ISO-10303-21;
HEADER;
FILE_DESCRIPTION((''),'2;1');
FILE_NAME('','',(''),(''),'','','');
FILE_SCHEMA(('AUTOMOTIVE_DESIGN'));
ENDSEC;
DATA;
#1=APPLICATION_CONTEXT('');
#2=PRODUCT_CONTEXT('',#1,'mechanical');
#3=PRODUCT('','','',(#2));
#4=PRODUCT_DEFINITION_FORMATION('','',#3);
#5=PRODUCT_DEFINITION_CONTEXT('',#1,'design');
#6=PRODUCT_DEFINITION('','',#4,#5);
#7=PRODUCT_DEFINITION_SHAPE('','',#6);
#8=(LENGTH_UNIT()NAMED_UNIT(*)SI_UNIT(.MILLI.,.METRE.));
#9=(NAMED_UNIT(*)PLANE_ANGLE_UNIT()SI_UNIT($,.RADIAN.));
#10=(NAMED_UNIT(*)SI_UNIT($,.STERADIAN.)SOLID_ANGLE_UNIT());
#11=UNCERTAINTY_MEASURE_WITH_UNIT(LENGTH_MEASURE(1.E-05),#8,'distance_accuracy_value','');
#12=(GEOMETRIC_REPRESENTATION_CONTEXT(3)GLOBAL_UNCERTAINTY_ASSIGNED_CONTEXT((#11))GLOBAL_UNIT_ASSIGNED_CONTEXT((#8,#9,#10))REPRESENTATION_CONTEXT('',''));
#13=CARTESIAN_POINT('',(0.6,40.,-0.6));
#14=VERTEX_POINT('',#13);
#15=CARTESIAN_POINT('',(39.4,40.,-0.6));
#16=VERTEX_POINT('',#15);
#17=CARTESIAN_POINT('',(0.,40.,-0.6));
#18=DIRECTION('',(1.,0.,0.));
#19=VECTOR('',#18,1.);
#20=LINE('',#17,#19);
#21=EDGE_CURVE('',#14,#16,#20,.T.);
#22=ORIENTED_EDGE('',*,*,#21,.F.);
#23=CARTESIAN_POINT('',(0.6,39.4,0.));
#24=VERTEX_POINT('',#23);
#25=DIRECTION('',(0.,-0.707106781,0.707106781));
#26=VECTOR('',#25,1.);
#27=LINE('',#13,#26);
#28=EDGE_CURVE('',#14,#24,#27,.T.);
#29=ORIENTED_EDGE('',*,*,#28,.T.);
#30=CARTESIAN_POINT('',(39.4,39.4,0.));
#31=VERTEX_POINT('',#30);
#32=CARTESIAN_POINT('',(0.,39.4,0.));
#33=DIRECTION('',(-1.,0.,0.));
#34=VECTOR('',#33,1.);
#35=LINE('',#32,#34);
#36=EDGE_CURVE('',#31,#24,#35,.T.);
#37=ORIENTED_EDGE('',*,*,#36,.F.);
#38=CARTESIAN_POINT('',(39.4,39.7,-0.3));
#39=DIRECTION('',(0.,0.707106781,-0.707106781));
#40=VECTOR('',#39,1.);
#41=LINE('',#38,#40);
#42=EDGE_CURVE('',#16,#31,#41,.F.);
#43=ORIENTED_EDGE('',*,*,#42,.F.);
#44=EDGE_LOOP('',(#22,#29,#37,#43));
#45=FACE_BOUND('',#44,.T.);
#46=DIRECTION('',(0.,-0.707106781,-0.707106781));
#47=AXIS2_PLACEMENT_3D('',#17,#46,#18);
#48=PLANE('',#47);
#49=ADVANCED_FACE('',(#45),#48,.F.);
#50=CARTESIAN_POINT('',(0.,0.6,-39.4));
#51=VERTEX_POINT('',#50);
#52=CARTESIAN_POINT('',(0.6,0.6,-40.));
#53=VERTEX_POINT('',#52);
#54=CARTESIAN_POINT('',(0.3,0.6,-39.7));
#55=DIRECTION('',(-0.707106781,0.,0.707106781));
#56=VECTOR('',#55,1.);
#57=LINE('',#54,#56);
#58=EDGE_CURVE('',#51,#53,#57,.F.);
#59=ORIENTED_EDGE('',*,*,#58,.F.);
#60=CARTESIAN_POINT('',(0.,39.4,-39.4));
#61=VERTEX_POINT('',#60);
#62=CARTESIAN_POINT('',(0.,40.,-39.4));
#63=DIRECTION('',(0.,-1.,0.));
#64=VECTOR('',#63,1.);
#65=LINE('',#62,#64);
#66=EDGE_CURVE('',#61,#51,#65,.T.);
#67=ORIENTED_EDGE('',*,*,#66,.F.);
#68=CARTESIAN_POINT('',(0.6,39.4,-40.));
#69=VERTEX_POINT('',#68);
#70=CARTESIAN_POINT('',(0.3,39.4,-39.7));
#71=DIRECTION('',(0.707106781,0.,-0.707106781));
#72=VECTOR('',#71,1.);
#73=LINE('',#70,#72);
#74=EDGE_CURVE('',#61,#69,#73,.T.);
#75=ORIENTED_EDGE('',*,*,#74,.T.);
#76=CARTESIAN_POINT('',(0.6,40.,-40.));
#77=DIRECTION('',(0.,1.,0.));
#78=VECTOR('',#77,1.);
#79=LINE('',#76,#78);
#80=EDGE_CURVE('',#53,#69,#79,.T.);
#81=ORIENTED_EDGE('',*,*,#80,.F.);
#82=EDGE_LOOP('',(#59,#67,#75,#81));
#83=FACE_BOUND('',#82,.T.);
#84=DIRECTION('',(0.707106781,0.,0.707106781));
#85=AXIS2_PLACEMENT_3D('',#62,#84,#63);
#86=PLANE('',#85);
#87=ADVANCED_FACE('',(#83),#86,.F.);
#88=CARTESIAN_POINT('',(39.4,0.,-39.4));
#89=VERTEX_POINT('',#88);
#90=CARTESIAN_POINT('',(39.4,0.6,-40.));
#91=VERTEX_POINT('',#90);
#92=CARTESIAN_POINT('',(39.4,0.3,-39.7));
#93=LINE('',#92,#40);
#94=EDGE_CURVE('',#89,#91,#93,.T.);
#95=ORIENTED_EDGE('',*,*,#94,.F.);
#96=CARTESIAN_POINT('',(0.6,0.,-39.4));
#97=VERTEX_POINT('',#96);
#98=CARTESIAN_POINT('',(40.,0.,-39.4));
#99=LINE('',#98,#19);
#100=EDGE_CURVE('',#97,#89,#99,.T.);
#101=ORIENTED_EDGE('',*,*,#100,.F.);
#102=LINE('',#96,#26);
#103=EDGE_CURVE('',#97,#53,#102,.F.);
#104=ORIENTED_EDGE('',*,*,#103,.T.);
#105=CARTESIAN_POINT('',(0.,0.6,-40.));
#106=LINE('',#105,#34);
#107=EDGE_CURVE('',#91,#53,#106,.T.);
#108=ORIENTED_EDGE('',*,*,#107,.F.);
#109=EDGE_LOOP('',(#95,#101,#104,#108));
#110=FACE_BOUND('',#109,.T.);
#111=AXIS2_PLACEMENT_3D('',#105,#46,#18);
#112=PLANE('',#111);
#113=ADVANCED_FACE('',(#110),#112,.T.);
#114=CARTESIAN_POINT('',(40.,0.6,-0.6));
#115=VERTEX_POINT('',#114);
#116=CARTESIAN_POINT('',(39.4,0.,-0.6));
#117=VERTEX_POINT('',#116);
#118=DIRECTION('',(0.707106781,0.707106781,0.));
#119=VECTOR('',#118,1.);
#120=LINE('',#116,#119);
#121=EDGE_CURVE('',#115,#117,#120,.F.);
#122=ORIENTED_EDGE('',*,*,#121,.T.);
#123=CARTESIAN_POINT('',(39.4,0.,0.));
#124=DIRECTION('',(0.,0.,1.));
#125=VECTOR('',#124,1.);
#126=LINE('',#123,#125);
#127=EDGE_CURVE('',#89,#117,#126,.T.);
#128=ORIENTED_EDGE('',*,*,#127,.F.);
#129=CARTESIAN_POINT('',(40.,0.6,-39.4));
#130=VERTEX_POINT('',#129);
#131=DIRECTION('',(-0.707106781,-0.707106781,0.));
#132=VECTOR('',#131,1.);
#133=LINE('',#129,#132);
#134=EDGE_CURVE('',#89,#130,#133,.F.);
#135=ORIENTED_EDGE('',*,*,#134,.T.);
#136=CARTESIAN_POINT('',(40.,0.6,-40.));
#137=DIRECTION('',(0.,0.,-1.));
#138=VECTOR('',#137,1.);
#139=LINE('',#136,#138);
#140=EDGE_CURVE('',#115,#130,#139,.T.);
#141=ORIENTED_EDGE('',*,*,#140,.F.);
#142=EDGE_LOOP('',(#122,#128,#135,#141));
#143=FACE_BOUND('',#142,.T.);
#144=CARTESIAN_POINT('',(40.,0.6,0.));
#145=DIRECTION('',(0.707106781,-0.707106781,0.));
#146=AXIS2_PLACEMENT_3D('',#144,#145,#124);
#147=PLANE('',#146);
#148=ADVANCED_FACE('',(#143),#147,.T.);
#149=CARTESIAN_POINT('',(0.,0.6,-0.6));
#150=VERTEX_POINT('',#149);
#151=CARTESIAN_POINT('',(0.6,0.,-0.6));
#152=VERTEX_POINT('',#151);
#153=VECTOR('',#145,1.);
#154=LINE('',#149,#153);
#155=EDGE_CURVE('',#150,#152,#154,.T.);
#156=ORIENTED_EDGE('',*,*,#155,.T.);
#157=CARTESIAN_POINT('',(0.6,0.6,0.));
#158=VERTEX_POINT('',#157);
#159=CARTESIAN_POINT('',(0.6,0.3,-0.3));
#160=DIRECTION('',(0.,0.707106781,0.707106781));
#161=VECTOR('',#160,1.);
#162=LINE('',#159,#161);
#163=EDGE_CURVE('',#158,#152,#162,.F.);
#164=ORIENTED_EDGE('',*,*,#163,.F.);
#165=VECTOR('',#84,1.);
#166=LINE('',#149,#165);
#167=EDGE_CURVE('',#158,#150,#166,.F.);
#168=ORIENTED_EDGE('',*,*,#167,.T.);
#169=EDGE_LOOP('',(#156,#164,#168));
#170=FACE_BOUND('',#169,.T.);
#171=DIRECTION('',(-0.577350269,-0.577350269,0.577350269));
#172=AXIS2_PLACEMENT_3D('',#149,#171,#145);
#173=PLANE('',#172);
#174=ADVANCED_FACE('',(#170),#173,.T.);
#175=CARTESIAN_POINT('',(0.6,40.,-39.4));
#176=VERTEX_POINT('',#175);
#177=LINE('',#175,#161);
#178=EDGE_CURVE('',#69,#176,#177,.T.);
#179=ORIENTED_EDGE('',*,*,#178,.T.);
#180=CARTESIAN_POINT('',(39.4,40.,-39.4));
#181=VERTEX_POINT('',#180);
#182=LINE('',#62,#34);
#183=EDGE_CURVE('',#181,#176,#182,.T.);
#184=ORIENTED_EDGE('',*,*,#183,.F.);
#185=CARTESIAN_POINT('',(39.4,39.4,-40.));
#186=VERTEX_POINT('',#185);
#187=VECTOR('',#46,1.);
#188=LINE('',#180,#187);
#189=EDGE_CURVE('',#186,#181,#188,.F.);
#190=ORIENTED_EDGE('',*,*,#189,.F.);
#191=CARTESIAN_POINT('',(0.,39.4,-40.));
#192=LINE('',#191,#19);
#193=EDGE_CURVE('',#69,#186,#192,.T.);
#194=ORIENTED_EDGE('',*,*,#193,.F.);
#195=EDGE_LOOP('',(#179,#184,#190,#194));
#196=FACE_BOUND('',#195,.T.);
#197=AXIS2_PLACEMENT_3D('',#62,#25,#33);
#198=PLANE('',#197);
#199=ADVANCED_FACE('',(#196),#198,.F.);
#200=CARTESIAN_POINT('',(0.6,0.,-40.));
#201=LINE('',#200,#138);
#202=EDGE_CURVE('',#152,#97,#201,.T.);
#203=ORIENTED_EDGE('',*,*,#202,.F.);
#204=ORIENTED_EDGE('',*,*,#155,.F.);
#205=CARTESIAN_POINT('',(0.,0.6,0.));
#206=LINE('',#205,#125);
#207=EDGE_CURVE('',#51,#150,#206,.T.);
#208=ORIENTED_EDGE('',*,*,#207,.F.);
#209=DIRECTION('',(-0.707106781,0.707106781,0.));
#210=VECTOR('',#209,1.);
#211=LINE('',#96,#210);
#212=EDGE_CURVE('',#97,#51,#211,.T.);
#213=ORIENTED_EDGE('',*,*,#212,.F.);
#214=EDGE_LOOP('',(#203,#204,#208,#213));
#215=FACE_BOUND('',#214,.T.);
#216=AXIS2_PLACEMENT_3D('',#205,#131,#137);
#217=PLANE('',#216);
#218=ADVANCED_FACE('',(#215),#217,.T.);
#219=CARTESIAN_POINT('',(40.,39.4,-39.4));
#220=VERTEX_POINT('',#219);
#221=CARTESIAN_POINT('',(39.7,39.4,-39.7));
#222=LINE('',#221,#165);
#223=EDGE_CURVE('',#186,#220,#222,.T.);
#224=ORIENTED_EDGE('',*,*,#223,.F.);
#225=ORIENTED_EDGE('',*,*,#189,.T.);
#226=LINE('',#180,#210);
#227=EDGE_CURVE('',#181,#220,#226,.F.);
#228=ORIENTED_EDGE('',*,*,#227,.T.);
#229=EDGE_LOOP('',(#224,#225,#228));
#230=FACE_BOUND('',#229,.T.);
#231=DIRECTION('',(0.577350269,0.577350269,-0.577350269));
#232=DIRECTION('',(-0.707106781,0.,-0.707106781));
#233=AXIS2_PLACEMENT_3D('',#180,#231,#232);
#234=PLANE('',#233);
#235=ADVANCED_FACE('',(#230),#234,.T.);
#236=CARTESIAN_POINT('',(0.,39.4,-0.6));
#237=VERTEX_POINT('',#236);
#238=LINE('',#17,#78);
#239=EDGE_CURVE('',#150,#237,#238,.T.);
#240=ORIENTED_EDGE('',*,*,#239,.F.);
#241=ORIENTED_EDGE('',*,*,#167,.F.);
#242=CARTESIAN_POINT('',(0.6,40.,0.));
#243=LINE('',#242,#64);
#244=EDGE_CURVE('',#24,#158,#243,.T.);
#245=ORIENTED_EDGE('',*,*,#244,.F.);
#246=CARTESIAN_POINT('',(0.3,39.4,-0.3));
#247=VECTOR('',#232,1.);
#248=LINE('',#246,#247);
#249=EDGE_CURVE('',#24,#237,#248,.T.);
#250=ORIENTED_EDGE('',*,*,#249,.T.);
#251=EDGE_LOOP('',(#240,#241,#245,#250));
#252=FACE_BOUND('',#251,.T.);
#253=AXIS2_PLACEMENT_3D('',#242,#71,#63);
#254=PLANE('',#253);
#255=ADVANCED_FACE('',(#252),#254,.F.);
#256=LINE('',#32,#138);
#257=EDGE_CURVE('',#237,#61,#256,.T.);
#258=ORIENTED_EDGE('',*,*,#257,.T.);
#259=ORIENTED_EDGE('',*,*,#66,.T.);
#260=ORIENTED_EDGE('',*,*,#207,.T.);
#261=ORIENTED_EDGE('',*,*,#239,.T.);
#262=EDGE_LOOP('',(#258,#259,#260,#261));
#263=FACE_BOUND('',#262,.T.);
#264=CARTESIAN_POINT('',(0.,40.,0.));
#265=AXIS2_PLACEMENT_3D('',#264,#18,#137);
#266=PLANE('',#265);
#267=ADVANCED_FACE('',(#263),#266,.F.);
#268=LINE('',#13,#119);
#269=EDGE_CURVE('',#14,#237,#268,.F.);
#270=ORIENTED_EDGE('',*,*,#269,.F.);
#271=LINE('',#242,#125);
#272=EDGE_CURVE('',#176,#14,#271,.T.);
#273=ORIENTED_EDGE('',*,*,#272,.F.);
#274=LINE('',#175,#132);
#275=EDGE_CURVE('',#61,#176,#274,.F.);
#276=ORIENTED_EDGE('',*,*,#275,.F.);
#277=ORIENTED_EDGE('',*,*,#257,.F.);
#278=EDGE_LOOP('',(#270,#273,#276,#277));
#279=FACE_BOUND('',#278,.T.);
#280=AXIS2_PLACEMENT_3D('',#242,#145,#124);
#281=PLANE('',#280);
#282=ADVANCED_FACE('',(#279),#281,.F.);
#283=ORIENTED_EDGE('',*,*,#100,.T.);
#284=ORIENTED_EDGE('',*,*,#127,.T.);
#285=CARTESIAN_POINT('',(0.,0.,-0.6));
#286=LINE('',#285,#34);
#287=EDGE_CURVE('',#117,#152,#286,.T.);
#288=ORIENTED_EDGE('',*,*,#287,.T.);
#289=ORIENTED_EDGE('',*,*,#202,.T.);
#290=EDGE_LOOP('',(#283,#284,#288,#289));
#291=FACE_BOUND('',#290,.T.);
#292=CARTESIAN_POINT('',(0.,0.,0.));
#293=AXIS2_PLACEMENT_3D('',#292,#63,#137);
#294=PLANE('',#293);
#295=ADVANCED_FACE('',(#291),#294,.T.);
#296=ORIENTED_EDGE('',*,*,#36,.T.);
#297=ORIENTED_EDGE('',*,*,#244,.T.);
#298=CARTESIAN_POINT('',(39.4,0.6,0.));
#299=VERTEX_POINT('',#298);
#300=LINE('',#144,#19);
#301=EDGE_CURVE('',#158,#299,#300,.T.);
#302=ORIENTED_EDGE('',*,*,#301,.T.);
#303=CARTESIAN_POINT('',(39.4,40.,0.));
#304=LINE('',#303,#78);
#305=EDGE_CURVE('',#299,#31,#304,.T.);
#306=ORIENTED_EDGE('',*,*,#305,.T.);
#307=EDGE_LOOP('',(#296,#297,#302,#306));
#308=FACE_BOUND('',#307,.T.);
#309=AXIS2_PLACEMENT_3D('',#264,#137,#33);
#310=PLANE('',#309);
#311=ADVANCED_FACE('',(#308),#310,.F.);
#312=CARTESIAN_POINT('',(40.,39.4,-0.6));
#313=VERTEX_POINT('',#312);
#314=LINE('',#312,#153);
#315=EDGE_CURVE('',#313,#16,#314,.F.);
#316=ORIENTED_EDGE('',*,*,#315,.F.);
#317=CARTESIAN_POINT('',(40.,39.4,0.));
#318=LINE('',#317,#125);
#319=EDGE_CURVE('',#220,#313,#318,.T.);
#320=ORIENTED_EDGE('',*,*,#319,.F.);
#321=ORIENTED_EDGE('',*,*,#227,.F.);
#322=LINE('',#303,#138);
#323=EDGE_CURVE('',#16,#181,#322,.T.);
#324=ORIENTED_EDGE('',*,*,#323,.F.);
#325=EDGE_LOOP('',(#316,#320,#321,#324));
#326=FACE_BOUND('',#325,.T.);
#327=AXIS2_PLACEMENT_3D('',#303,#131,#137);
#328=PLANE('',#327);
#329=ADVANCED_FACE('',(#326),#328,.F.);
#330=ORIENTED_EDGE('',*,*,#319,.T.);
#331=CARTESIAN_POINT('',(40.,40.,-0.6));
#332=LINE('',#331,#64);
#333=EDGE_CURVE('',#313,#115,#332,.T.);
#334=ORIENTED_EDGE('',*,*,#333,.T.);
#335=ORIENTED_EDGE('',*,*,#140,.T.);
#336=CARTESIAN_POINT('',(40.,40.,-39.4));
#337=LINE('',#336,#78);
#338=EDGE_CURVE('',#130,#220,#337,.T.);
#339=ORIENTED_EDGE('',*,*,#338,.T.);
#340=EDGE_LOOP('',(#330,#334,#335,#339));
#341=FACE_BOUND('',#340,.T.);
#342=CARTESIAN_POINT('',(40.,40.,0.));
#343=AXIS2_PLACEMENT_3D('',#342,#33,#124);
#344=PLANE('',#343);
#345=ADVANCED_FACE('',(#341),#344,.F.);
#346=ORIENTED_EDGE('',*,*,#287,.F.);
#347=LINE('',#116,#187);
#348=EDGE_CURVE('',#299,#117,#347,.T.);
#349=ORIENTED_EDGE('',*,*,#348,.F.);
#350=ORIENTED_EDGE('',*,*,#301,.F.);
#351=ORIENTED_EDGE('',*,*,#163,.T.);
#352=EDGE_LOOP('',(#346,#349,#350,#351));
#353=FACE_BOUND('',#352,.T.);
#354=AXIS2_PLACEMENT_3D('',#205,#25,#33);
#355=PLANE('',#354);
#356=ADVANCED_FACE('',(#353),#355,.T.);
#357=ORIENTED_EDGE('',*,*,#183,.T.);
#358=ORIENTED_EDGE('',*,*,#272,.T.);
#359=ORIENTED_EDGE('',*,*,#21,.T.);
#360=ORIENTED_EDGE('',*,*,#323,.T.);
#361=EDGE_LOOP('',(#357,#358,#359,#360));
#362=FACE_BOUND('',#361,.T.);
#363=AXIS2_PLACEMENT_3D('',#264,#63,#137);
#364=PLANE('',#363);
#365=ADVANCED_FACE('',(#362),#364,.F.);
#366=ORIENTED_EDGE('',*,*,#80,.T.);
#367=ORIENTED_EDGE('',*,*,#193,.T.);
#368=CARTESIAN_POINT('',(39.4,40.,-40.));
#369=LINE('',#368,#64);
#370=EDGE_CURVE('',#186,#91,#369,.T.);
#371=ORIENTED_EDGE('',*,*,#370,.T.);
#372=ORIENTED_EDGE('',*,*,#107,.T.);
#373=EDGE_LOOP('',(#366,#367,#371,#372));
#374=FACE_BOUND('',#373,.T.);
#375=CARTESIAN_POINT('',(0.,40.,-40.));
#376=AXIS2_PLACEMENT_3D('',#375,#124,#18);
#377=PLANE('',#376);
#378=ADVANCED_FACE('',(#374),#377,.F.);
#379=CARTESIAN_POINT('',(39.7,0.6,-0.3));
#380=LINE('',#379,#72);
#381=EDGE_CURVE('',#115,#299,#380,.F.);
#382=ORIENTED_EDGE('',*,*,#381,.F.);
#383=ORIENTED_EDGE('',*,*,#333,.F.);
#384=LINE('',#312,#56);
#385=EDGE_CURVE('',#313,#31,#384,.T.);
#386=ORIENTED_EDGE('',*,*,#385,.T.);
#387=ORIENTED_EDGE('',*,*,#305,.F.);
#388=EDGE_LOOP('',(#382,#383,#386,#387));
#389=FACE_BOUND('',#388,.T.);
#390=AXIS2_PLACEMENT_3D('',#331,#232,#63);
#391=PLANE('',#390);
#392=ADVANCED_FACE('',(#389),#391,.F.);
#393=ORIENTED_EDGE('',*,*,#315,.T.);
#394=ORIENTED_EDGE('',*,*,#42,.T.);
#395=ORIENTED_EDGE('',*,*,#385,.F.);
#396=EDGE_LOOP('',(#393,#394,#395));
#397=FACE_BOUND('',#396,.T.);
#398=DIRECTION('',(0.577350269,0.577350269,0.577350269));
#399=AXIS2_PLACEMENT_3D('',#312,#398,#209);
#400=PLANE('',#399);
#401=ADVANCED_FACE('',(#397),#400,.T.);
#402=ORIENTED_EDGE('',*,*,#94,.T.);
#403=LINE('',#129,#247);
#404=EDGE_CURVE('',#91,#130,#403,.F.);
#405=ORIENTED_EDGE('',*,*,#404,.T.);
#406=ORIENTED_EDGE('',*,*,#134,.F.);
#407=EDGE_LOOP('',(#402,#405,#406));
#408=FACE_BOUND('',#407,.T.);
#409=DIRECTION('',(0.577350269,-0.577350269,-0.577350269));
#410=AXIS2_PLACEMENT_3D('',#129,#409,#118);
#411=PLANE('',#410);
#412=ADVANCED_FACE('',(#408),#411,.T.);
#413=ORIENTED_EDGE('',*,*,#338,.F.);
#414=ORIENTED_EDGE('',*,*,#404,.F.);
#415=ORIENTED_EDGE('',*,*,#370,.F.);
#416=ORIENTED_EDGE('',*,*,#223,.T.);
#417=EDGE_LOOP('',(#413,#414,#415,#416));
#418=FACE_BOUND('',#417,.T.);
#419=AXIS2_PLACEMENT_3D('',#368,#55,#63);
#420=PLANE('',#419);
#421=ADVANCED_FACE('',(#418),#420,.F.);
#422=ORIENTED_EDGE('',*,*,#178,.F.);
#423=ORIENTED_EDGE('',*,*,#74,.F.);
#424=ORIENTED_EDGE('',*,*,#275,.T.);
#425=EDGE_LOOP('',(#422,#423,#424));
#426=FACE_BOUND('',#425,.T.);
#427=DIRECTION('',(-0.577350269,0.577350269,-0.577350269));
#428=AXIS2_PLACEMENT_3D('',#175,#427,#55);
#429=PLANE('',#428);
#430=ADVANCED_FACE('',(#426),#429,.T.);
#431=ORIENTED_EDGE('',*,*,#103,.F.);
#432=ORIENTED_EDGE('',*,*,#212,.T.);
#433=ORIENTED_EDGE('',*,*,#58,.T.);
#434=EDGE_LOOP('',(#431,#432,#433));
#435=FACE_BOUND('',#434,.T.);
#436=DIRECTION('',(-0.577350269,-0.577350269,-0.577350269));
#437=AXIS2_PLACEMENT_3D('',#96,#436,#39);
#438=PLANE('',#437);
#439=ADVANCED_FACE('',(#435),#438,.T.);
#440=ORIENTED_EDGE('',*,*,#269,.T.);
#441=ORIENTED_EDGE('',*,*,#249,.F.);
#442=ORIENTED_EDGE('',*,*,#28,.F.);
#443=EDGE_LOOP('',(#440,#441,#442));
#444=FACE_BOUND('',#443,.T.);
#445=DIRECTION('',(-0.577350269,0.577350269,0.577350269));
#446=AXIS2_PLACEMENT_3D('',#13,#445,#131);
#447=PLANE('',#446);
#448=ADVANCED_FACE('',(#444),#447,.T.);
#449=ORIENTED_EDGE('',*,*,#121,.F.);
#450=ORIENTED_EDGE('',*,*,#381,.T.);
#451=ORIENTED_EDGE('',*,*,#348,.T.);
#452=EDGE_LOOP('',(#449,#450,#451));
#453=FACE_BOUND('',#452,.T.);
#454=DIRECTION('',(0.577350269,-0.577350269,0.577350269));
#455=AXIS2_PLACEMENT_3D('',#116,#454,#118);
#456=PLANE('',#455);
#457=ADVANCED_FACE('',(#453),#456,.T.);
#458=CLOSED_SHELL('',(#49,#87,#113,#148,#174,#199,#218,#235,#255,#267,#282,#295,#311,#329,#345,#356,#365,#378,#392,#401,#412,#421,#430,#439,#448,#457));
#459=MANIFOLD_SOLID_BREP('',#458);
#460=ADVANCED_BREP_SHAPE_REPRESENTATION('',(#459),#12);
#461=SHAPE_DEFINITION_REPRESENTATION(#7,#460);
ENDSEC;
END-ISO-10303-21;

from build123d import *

# Parameters (mm, degrees)
SKETCH1_W           = 40
SKETCH1_H           = 40
BOSS_EXTRUDE1_DEPTH = 40
CHAMFER1_SIZE       = 0.6


with BuildPart() as part:
    # Sketch1 → Boss-Extrude1 (new body)
    with BuildSketch(Plane(origin=(0, 0, 0), x_dir=(1, 0, 0), z_dir=(0, 1, 0))):
        with Locations((20, 20)):
            Rectangle(SKETCH1_W, SKETCH1_H)
    extrude(amount=BOSS_EXTRUDE1_DEPTH)

    # Chamfer1
    chamfer1_edges = [part.edges().sort_by_distance(p)[0] for p in [
        (40, 40, -20),
        (20, 40, -40),
        (0, 40, -20),
        (20, 0, -40),
        (40, 0, -20),
        (20, 0, 0),
        (0, 0, -20),
        (0, 20, -40),
        (40, 20, -40),
        (40, 20, 0),
        (0, 20, 0),
        (20, 40, 0),
    ]]
    chamfer(chamfer1_edges, length=CHAMFER1_SIZE)


solid = part.part
